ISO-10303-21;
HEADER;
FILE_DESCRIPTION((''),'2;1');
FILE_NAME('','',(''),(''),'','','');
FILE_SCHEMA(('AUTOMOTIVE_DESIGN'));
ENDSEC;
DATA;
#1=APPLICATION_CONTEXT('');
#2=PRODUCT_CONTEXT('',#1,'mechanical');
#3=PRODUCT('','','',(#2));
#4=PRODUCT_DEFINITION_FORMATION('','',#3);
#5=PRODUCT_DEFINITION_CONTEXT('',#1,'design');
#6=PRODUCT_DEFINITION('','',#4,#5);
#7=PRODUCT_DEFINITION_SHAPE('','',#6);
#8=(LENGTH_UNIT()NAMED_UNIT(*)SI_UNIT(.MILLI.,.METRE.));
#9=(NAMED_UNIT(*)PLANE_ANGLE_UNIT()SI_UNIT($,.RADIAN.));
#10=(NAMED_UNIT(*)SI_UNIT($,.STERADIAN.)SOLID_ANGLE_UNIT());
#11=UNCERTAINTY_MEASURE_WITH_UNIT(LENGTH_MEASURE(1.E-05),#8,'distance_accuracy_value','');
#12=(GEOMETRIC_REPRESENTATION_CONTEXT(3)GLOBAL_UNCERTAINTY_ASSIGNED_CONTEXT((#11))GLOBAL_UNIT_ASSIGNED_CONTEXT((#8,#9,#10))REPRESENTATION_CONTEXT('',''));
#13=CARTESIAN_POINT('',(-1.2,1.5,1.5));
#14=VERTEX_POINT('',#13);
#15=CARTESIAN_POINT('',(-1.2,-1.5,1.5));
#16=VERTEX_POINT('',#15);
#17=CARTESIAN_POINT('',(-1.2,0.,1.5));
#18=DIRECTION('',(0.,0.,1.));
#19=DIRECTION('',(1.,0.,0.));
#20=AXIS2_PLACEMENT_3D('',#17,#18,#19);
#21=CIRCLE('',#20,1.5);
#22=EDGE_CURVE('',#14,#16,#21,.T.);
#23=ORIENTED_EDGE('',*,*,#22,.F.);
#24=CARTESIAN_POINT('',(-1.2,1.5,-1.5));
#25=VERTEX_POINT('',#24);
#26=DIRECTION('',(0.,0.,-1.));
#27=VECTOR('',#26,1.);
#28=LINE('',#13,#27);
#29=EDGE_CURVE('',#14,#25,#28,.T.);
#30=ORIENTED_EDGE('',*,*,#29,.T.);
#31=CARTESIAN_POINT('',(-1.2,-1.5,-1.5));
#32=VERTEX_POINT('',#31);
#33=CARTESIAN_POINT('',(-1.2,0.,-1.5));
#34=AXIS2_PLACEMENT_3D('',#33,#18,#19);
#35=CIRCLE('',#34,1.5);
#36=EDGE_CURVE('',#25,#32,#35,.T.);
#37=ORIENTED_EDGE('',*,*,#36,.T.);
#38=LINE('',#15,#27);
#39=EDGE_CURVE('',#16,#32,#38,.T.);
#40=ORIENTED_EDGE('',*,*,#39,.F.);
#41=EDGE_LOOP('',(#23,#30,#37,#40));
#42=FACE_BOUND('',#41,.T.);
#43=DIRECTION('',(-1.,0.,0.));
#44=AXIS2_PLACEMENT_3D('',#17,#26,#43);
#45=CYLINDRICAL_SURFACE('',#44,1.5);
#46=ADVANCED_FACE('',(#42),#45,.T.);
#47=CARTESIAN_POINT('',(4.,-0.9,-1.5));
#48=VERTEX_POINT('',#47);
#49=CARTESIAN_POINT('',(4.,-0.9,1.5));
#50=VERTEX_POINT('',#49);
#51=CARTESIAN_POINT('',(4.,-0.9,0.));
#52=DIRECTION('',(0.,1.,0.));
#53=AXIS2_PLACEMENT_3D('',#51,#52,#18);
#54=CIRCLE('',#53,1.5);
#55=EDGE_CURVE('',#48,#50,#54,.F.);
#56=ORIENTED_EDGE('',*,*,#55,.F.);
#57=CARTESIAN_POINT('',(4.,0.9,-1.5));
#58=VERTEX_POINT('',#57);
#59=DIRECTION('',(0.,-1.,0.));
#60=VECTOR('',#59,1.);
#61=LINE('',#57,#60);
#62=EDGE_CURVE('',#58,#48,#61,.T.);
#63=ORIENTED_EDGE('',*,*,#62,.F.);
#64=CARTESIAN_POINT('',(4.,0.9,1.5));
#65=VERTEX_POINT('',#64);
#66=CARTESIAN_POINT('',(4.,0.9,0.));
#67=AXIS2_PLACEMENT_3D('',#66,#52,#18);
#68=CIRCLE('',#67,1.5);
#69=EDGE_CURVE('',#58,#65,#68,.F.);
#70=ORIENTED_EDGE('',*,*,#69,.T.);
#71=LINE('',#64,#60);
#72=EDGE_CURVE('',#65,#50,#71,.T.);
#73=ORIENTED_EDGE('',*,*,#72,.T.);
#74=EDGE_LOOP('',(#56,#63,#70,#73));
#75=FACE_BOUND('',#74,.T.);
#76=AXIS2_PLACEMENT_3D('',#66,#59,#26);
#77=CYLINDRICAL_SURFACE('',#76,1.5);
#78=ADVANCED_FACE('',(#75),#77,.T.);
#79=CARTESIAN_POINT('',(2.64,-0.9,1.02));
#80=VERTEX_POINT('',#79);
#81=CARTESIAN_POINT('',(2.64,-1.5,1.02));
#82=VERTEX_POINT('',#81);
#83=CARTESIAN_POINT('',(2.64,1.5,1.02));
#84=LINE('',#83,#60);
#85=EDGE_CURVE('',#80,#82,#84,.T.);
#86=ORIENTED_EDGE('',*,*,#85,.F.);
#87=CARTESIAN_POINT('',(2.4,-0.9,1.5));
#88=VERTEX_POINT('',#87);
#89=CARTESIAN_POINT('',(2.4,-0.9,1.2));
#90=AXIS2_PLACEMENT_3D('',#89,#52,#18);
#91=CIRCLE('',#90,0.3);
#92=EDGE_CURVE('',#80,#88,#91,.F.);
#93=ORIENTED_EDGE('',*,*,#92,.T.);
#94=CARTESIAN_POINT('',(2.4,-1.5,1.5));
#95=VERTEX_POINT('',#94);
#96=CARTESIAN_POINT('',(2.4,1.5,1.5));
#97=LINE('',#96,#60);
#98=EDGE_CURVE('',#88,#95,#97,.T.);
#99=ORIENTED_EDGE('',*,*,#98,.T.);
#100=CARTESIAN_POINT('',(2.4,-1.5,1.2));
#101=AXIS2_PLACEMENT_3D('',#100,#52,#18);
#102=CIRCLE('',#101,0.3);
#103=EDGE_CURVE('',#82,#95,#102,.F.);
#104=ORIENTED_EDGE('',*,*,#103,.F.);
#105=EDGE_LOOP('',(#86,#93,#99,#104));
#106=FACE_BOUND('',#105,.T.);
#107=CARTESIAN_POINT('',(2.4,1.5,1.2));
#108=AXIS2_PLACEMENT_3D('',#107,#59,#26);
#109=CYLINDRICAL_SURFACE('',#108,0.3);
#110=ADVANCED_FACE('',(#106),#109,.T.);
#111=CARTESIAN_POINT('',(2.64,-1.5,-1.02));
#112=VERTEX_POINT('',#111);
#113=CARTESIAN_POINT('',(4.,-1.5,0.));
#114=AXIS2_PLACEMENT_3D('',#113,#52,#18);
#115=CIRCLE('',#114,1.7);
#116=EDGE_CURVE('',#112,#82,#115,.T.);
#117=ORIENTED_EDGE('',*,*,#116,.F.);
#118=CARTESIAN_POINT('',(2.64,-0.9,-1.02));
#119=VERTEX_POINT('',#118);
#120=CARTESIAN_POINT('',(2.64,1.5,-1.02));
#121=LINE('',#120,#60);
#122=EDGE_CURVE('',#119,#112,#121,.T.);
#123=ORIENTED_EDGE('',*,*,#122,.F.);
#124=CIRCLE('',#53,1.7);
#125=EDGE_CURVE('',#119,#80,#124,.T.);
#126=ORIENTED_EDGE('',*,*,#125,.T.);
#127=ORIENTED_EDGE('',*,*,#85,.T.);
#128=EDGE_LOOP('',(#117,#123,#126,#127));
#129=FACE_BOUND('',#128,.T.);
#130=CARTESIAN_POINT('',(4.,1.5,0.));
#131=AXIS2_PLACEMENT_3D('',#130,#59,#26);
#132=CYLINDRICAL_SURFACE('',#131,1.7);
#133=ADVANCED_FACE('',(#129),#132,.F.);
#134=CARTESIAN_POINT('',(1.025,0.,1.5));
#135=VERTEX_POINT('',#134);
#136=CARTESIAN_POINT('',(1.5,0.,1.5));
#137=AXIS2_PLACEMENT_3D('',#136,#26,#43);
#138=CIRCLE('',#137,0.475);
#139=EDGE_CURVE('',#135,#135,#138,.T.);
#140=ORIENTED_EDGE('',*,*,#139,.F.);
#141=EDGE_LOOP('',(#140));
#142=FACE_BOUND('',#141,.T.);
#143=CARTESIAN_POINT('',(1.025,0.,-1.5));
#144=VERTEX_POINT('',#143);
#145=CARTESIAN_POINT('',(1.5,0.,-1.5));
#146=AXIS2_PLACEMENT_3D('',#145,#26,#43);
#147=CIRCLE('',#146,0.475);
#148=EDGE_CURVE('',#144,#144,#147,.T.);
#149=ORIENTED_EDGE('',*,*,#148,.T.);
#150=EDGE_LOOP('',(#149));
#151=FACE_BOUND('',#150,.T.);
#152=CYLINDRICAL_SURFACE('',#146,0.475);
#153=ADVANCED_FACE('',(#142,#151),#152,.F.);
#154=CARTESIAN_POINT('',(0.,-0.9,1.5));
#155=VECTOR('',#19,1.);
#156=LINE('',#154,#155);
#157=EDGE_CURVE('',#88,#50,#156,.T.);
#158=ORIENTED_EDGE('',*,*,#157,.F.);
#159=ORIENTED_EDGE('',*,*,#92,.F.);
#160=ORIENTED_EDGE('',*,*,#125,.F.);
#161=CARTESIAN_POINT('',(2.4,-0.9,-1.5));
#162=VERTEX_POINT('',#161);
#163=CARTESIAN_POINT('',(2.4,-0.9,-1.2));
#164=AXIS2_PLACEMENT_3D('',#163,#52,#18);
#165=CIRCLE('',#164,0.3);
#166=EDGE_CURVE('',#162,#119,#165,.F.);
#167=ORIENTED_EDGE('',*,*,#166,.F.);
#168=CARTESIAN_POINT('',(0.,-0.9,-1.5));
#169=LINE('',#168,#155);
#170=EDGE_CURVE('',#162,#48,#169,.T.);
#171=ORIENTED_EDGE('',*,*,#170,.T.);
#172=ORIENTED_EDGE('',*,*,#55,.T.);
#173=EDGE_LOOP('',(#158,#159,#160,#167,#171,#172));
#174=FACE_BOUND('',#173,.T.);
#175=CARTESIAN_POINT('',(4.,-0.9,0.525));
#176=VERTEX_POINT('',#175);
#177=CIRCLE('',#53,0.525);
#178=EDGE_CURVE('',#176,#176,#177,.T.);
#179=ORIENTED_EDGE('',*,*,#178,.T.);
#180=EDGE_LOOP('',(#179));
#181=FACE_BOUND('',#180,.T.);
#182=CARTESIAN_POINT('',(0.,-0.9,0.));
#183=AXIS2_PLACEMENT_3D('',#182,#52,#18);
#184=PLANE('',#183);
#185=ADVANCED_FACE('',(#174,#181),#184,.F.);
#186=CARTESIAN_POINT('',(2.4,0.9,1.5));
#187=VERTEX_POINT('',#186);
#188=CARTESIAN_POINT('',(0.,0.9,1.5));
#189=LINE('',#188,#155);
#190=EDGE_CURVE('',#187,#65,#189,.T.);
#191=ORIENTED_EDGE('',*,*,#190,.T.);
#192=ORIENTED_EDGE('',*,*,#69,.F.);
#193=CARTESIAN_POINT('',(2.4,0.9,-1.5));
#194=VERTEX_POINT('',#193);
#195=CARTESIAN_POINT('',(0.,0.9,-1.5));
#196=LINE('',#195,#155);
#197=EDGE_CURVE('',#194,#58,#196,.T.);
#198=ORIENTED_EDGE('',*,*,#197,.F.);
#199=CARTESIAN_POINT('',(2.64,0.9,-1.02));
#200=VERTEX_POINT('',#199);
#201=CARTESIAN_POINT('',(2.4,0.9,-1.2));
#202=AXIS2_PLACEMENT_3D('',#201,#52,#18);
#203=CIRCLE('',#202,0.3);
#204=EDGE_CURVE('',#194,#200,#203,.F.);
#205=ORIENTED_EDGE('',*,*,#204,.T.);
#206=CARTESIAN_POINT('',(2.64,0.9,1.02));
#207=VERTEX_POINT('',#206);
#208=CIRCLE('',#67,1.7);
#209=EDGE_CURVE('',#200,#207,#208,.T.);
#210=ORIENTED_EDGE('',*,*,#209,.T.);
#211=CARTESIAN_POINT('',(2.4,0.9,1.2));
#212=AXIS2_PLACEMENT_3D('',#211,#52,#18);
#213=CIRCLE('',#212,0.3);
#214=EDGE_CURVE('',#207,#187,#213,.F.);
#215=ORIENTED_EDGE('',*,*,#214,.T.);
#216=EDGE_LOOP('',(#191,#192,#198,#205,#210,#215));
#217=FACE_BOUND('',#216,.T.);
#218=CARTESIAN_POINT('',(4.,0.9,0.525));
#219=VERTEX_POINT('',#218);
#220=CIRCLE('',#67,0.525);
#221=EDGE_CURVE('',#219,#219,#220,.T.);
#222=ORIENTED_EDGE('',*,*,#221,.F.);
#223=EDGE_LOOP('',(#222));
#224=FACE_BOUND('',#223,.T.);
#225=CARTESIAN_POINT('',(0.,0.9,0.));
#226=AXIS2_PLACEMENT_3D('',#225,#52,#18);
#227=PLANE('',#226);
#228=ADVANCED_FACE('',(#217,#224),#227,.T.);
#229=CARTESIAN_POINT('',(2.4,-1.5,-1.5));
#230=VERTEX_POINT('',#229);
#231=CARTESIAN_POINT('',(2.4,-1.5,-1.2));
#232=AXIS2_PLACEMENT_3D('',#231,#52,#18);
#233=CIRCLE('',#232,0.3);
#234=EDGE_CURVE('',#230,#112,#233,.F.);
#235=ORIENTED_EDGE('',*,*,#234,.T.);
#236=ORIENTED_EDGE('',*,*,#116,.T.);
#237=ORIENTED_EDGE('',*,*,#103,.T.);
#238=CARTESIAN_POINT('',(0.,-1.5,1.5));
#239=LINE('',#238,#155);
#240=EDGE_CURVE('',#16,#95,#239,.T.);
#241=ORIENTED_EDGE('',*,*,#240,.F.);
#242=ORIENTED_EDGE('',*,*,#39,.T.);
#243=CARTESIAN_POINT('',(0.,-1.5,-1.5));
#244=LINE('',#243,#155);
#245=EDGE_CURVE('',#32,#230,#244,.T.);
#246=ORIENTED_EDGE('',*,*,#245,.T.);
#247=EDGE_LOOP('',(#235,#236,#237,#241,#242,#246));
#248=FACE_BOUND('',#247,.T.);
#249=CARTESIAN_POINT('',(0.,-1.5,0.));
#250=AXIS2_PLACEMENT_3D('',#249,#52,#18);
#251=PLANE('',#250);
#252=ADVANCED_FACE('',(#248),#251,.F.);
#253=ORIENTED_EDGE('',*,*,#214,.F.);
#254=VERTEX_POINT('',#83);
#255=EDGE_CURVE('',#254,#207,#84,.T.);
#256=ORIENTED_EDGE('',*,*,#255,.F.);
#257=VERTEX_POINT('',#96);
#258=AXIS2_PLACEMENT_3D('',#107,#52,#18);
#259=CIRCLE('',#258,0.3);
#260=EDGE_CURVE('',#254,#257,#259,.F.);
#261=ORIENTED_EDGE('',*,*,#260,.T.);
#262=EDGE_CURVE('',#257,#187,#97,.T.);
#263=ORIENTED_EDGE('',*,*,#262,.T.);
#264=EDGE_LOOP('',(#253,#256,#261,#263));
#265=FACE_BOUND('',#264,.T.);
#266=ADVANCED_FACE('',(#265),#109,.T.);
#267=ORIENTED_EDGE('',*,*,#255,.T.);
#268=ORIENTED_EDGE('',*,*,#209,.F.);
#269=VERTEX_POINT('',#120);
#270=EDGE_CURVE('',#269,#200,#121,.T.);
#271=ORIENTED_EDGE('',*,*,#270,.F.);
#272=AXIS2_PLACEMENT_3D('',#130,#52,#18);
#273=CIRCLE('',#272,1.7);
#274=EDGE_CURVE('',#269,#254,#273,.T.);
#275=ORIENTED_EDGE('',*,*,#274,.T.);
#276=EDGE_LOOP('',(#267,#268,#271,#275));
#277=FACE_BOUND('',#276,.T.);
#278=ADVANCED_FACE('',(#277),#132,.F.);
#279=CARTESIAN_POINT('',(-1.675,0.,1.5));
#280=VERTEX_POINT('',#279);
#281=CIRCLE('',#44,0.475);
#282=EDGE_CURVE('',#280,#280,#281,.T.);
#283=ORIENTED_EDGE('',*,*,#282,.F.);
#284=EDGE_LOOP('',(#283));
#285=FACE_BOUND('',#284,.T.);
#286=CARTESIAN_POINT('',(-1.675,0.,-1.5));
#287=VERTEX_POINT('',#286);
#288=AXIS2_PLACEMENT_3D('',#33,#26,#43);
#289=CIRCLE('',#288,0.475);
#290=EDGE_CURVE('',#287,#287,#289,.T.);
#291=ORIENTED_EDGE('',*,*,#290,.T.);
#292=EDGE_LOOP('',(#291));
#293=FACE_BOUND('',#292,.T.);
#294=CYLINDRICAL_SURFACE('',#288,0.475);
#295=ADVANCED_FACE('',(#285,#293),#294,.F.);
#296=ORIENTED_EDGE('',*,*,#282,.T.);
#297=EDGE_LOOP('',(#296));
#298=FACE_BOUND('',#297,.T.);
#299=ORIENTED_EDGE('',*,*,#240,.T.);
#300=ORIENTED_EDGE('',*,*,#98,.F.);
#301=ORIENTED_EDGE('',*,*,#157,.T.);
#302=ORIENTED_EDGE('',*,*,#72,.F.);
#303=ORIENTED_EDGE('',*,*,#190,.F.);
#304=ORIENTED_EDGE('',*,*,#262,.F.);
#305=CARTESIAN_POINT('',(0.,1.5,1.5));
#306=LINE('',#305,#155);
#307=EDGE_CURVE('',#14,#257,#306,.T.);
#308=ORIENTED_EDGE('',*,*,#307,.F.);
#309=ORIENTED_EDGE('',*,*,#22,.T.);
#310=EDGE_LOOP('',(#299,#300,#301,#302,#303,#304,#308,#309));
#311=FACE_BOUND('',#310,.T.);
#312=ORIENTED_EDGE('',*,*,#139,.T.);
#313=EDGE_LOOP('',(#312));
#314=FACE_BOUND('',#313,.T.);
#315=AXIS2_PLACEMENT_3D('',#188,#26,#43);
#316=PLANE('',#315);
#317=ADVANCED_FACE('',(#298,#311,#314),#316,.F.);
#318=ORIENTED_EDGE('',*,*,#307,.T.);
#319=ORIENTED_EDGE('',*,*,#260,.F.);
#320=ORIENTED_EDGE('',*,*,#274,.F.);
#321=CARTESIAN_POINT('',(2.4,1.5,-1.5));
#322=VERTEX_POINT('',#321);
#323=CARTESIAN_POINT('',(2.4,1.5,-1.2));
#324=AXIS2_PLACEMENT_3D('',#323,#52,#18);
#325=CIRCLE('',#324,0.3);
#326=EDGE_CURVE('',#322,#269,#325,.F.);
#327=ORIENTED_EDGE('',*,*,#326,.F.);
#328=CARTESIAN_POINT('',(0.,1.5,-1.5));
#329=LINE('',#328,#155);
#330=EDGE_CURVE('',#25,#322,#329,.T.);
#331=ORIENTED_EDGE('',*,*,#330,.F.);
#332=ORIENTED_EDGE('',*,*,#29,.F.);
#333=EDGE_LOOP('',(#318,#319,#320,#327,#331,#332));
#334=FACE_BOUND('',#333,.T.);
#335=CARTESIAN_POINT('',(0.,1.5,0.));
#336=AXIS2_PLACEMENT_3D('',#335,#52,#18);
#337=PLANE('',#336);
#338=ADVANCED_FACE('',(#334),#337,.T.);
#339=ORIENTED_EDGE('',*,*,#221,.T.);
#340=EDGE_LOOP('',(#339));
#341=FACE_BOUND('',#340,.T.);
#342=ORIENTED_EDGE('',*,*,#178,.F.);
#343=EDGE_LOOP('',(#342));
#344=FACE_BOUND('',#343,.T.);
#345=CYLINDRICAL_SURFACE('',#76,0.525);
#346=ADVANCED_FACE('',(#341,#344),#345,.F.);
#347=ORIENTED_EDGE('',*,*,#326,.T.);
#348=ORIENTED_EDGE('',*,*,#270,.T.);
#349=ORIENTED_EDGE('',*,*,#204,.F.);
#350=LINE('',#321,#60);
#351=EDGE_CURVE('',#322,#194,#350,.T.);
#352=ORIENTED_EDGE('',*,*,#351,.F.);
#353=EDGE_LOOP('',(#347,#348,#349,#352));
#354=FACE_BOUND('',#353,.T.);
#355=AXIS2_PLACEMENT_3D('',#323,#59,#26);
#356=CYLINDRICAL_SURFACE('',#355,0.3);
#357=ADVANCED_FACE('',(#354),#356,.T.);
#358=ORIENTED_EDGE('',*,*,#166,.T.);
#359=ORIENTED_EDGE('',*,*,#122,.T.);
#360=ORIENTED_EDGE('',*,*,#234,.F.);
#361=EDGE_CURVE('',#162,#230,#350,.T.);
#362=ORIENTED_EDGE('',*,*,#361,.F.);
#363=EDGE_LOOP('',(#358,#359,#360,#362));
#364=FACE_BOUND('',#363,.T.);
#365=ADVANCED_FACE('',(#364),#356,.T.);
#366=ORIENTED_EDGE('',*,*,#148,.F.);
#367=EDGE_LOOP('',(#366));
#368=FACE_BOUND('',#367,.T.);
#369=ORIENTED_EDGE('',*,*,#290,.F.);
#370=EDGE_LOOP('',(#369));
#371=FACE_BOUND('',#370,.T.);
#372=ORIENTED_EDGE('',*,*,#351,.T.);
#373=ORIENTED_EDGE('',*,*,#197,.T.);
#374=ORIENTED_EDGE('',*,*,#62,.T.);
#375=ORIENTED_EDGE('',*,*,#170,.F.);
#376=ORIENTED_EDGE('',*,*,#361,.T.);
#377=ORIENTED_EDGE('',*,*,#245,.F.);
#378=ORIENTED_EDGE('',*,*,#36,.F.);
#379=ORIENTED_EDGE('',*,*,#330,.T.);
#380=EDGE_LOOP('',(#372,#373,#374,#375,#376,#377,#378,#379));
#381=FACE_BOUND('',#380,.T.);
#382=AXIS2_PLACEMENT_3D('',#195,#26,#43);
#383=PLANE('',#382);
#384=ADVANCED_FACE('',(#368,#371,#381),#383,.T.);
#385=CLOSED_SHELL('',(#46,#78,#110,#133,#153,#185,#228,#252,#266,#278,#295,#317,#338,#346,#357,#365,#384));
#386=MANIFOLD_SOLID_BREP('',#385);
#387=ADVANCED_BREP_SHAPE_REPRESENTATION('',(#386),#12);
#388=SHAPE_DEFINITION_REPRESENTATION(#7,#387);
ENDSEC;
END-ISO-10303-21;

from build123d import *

# Parameters (mm, degrees)
SKETCH1_R                = 0.525
BOSS_EXTRUDE1_DEPTH      = 0.9
BOSS_EXTRUDE2_DEPTH      = 1.5
M1_2X0_25_TAPPED_HOLE1_D = 0.95
CUT_EXTRUDE1_DEPTH       = 7.442049363


with BuildPart() as part:
    # Sketch1 → Boss-Extrude1 (new, symmetric)
    with BuildSketch(Plane(origin=(0, 0, 0), x_dir=(1, 0, 0), z_dir=(0, 1, 0))):
        with BuildLine():
            ThreePointArc((2.64, -1.02), (2.668328157, -1.334164079), (2.4, -1.5))
            Line((2.4, -1.5), (4, -1.5))
            ThreePointArc((4, -1.5), (5.5, 0), (4, 1.5))
            Line((4, 1.5), (2.4, 1.5))
            ThreePointArc((2.4, 1.5), (2.668328157, 1.334164079), (2.64, 1.02))
            ThreePointArc((2.64, 1.02), (2.3, 0), (2.64, -1.02))
        make_face()
        with Locations((4, 0)):
            Circle(SKETCH1_R, mode=Mode.SUBTRACT)
    extrude(amount=BOSS_EXTRUDE1_DEPTH, both=True)

    # Sketch1<4> → Boss-Extrude2 (add, symmetric)
    with BuildSketch(Plane(origin=(0, 0, 0), x_dir=(1, 0, 0), z_dir=(0, 1, 0))):
        with BuildLine():
            Line((-4, 1.5), (-4, -1.5))
            Line((-4, -1.5), (2.4, -1.5))
            ThreePointArc((2.4, -1.5), (2.668328157, -1.334164079), (2.64, -1.02))
            ThreePointArc((2.64, -1.02), (2.3, 0), (2.64, 1.02))
            ThreePointArc((2.64, 1.02), (2.668328157, 1.334164079), (2.4, 1.5))
            Line((2.4, 1.5), (-4, 1.5))
        make_face()
    extrude(amount=BOSS_EXTRUDE2_DEPTH, both=True)

    # M1.2x0.25 Tapped Hole1 (through all)
    with Locations(Plane(origin=(0, 0, -1.5), x_dir=(-1, 0, 0), z_dir=(0, 0, -1))):
        with Locations((-1.5, 0), (1.2, 0)):
            Hole(M1_2X0_25_TAPPED_HOLE1_D / 2)

    # Sketch5 → Cut-Extrude1 (cut, through all)
    with BuildSketch(Plane(origin=(0, 0, -1.5), x_dir=(-1, 0, 0), z_dir=(0, 0, -1))):
        with BuildLine():
            Line((1.2, 1.5), (4, 1.5))
            Line((4, 1.5), (4, -1.5))
            Line((4, -1.5), (1.2, -1.5))
            ThreePointArc((1.2, -1.5), (2.7, 0), (1.2, 1.5))
        make_face()
    extrude(amount=-CUT_EXTRUDE1_DEPTH, mode=Mode.SUBTRACT)


solid = part.part
